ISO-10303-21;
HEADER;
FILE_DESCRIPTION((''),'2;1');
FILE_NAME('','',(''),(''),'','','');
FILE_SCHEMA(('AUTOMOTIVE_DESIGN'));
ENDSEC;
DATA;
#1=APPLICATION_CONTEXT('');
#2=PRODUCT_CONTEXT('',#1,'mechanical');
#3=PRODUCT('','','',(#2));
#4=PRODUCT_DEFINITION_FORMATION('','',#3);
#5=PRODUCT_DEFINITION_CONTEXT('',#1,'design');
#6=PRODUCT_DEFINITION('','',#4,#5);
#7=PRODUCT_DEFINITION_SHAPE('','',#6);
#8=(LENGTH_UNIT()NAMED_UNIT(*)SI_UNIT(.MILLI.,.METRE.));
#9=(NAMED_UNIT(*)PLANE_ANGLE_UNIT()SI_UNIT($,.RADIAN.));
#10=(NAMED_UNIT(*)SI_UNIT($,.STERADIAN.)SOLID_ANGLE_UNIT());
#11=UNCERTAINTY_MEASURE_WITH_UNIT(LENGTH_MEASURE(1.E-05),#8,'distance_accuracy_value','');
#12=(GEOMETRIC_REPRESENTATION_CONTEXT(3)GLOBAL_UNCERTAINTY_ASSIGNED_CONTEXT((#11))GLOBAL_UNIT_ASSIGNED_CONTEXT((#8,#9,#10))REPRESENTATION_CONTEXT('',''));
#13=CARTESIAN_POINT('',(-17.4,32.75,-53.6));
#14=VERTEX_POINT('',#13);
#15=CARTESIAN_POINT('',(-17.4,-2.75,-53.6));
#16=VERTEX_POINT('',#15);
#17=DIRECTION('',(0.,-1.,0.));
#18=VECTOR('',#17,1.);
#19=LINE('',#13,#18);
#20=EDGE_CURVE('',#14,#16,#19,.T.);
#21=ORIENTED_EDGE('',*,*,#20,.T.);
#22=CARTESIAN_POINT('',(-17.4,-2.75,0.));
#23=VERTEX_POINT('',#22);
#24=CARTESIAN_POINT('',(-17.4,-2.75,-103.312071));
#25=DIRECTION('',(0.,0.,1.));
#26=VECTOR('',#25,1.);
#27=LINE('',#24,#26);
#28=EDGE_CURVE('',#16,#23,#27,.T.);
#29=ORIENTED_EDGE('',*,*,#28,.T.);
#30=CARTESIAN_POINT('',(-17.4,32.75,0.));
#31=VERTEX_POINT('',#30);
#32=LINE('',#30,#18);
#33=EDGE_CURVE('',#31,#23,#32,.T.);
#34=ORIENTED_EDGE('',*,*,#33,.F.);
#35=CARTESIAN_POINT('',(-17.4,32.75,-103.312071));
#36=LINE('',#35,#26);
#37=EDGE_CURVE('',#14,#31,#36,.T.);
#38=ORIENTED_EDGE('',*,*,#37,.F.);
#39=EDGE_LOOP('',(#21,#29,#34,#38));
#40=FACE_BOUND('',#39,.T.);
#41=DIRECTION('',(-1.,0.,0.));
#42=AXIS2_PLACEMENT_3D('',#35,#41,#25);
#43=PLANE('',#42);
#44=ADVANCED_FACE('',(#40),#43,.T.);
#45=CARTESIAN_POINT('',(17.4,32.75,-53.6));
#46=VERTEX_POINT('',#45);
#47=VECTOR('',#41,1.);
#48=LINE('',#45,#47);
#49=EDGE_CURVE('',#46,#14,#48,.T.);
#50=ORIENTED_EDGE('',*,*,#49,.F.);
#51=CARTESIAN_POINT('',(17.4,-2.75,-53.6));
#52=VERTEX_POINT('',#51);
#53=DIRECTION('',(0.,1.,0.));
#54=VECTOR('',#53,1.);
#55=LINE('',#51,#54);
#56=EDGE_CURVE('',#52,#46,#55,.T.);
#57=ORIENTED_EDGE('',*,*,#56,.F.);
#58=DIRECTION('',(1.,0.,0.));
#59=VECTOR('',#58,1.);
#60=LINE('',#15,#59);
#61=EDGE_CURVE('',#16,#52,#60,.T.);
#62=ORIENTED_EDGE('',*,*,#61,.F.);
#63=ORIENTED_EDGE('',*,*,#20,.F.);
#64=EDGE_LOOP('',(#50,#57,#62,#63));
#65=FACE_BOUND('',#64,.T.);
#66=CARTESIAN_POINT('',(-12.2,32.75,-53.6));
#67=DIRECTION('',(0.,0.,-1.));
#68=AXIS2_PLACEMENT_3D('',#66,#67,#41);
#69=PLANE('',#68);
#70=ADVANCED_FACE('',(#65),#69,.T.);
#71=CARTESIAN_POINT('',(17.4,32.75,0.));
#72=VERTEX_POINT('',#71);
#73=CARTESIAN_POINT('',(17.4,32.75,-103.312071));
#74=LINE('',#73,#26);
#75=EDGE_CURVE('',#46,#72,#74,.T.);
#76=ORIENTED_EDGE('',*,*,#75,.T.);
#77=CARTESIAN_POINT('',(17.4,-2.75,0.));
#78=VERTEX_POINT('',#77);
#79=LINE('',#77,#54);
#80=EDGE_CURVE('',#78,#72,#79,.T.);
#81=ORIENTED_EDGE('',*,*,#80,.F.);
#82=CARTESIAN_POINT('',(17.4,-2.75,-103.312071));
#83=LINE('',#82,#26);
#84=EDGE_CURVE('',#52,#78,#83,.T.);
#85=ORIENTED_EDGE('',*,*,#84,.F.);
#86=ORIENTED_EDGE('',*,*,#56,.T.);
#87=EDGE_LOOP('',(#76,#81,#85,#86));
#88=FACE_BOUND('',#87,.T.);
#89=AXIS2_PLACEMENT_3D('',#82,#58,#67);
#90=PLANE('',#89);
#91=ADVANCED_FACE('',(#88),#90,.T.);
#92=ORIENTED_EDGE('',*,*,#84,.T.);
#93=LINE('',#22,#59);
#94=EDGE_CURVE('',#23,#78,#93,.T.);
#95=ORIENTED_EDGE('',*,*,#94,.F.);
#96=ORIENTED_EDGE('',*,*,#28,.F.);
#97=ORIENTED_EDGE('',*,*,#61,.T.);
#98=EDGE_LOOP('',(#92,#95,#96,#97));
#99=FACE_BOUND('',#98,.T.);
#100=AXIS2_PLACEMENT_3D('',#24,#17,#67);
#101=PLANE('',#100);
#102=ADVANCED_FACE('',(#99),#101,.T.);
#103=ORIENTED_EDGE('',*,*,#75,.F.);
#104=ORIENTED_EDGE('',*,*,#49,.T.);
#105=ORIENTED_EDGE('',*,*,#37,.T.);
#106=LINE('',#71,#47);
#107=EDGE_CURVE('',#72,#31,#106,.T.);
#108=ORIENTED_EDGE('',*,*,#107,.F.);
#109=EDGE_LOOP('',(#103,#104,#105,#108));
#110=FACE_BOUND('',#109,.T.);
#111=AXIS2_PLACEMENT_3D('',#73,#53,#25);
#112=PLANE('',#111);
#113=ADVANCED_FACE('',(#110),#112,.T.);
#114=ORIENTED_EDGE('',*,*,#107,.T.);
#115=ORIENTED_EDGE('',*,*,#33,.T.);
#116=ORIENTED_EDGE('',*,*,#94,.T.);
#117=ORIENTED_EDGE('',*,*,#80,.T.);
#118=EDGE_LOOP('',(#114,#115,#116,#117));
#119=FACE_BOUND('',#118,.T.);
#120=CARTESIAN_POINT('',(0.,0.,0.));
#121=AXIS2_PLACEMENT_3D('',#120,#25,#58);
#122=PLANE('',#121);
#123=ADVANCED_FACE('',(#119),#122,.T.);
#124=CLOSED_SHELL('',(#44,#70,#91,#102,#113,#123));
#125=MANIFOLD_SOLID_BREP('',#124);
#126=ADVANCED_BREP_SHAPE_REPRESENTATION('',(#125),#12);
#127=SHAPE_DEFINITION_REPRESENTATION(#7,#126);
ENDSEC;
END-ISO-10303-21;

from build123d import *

# Parameters (mm, degrees)
SKETCH1_W           = 34.8
SKETCH1_H           = 35.5
BOSS_EXTRUDE1_DEPTH = 53.6


with BuildPart() as part:
    # Sketch1 → Boss-Extrude1 (new body)
    with BuildSketch(Plane.XY):
        with Locations((0, 15)):
            Rectangle(SKETCH1_W, SKETCH1_H)
    extrude(amount=-BOSS_EXTRUDE1_DEPTH)


solid = part.part
